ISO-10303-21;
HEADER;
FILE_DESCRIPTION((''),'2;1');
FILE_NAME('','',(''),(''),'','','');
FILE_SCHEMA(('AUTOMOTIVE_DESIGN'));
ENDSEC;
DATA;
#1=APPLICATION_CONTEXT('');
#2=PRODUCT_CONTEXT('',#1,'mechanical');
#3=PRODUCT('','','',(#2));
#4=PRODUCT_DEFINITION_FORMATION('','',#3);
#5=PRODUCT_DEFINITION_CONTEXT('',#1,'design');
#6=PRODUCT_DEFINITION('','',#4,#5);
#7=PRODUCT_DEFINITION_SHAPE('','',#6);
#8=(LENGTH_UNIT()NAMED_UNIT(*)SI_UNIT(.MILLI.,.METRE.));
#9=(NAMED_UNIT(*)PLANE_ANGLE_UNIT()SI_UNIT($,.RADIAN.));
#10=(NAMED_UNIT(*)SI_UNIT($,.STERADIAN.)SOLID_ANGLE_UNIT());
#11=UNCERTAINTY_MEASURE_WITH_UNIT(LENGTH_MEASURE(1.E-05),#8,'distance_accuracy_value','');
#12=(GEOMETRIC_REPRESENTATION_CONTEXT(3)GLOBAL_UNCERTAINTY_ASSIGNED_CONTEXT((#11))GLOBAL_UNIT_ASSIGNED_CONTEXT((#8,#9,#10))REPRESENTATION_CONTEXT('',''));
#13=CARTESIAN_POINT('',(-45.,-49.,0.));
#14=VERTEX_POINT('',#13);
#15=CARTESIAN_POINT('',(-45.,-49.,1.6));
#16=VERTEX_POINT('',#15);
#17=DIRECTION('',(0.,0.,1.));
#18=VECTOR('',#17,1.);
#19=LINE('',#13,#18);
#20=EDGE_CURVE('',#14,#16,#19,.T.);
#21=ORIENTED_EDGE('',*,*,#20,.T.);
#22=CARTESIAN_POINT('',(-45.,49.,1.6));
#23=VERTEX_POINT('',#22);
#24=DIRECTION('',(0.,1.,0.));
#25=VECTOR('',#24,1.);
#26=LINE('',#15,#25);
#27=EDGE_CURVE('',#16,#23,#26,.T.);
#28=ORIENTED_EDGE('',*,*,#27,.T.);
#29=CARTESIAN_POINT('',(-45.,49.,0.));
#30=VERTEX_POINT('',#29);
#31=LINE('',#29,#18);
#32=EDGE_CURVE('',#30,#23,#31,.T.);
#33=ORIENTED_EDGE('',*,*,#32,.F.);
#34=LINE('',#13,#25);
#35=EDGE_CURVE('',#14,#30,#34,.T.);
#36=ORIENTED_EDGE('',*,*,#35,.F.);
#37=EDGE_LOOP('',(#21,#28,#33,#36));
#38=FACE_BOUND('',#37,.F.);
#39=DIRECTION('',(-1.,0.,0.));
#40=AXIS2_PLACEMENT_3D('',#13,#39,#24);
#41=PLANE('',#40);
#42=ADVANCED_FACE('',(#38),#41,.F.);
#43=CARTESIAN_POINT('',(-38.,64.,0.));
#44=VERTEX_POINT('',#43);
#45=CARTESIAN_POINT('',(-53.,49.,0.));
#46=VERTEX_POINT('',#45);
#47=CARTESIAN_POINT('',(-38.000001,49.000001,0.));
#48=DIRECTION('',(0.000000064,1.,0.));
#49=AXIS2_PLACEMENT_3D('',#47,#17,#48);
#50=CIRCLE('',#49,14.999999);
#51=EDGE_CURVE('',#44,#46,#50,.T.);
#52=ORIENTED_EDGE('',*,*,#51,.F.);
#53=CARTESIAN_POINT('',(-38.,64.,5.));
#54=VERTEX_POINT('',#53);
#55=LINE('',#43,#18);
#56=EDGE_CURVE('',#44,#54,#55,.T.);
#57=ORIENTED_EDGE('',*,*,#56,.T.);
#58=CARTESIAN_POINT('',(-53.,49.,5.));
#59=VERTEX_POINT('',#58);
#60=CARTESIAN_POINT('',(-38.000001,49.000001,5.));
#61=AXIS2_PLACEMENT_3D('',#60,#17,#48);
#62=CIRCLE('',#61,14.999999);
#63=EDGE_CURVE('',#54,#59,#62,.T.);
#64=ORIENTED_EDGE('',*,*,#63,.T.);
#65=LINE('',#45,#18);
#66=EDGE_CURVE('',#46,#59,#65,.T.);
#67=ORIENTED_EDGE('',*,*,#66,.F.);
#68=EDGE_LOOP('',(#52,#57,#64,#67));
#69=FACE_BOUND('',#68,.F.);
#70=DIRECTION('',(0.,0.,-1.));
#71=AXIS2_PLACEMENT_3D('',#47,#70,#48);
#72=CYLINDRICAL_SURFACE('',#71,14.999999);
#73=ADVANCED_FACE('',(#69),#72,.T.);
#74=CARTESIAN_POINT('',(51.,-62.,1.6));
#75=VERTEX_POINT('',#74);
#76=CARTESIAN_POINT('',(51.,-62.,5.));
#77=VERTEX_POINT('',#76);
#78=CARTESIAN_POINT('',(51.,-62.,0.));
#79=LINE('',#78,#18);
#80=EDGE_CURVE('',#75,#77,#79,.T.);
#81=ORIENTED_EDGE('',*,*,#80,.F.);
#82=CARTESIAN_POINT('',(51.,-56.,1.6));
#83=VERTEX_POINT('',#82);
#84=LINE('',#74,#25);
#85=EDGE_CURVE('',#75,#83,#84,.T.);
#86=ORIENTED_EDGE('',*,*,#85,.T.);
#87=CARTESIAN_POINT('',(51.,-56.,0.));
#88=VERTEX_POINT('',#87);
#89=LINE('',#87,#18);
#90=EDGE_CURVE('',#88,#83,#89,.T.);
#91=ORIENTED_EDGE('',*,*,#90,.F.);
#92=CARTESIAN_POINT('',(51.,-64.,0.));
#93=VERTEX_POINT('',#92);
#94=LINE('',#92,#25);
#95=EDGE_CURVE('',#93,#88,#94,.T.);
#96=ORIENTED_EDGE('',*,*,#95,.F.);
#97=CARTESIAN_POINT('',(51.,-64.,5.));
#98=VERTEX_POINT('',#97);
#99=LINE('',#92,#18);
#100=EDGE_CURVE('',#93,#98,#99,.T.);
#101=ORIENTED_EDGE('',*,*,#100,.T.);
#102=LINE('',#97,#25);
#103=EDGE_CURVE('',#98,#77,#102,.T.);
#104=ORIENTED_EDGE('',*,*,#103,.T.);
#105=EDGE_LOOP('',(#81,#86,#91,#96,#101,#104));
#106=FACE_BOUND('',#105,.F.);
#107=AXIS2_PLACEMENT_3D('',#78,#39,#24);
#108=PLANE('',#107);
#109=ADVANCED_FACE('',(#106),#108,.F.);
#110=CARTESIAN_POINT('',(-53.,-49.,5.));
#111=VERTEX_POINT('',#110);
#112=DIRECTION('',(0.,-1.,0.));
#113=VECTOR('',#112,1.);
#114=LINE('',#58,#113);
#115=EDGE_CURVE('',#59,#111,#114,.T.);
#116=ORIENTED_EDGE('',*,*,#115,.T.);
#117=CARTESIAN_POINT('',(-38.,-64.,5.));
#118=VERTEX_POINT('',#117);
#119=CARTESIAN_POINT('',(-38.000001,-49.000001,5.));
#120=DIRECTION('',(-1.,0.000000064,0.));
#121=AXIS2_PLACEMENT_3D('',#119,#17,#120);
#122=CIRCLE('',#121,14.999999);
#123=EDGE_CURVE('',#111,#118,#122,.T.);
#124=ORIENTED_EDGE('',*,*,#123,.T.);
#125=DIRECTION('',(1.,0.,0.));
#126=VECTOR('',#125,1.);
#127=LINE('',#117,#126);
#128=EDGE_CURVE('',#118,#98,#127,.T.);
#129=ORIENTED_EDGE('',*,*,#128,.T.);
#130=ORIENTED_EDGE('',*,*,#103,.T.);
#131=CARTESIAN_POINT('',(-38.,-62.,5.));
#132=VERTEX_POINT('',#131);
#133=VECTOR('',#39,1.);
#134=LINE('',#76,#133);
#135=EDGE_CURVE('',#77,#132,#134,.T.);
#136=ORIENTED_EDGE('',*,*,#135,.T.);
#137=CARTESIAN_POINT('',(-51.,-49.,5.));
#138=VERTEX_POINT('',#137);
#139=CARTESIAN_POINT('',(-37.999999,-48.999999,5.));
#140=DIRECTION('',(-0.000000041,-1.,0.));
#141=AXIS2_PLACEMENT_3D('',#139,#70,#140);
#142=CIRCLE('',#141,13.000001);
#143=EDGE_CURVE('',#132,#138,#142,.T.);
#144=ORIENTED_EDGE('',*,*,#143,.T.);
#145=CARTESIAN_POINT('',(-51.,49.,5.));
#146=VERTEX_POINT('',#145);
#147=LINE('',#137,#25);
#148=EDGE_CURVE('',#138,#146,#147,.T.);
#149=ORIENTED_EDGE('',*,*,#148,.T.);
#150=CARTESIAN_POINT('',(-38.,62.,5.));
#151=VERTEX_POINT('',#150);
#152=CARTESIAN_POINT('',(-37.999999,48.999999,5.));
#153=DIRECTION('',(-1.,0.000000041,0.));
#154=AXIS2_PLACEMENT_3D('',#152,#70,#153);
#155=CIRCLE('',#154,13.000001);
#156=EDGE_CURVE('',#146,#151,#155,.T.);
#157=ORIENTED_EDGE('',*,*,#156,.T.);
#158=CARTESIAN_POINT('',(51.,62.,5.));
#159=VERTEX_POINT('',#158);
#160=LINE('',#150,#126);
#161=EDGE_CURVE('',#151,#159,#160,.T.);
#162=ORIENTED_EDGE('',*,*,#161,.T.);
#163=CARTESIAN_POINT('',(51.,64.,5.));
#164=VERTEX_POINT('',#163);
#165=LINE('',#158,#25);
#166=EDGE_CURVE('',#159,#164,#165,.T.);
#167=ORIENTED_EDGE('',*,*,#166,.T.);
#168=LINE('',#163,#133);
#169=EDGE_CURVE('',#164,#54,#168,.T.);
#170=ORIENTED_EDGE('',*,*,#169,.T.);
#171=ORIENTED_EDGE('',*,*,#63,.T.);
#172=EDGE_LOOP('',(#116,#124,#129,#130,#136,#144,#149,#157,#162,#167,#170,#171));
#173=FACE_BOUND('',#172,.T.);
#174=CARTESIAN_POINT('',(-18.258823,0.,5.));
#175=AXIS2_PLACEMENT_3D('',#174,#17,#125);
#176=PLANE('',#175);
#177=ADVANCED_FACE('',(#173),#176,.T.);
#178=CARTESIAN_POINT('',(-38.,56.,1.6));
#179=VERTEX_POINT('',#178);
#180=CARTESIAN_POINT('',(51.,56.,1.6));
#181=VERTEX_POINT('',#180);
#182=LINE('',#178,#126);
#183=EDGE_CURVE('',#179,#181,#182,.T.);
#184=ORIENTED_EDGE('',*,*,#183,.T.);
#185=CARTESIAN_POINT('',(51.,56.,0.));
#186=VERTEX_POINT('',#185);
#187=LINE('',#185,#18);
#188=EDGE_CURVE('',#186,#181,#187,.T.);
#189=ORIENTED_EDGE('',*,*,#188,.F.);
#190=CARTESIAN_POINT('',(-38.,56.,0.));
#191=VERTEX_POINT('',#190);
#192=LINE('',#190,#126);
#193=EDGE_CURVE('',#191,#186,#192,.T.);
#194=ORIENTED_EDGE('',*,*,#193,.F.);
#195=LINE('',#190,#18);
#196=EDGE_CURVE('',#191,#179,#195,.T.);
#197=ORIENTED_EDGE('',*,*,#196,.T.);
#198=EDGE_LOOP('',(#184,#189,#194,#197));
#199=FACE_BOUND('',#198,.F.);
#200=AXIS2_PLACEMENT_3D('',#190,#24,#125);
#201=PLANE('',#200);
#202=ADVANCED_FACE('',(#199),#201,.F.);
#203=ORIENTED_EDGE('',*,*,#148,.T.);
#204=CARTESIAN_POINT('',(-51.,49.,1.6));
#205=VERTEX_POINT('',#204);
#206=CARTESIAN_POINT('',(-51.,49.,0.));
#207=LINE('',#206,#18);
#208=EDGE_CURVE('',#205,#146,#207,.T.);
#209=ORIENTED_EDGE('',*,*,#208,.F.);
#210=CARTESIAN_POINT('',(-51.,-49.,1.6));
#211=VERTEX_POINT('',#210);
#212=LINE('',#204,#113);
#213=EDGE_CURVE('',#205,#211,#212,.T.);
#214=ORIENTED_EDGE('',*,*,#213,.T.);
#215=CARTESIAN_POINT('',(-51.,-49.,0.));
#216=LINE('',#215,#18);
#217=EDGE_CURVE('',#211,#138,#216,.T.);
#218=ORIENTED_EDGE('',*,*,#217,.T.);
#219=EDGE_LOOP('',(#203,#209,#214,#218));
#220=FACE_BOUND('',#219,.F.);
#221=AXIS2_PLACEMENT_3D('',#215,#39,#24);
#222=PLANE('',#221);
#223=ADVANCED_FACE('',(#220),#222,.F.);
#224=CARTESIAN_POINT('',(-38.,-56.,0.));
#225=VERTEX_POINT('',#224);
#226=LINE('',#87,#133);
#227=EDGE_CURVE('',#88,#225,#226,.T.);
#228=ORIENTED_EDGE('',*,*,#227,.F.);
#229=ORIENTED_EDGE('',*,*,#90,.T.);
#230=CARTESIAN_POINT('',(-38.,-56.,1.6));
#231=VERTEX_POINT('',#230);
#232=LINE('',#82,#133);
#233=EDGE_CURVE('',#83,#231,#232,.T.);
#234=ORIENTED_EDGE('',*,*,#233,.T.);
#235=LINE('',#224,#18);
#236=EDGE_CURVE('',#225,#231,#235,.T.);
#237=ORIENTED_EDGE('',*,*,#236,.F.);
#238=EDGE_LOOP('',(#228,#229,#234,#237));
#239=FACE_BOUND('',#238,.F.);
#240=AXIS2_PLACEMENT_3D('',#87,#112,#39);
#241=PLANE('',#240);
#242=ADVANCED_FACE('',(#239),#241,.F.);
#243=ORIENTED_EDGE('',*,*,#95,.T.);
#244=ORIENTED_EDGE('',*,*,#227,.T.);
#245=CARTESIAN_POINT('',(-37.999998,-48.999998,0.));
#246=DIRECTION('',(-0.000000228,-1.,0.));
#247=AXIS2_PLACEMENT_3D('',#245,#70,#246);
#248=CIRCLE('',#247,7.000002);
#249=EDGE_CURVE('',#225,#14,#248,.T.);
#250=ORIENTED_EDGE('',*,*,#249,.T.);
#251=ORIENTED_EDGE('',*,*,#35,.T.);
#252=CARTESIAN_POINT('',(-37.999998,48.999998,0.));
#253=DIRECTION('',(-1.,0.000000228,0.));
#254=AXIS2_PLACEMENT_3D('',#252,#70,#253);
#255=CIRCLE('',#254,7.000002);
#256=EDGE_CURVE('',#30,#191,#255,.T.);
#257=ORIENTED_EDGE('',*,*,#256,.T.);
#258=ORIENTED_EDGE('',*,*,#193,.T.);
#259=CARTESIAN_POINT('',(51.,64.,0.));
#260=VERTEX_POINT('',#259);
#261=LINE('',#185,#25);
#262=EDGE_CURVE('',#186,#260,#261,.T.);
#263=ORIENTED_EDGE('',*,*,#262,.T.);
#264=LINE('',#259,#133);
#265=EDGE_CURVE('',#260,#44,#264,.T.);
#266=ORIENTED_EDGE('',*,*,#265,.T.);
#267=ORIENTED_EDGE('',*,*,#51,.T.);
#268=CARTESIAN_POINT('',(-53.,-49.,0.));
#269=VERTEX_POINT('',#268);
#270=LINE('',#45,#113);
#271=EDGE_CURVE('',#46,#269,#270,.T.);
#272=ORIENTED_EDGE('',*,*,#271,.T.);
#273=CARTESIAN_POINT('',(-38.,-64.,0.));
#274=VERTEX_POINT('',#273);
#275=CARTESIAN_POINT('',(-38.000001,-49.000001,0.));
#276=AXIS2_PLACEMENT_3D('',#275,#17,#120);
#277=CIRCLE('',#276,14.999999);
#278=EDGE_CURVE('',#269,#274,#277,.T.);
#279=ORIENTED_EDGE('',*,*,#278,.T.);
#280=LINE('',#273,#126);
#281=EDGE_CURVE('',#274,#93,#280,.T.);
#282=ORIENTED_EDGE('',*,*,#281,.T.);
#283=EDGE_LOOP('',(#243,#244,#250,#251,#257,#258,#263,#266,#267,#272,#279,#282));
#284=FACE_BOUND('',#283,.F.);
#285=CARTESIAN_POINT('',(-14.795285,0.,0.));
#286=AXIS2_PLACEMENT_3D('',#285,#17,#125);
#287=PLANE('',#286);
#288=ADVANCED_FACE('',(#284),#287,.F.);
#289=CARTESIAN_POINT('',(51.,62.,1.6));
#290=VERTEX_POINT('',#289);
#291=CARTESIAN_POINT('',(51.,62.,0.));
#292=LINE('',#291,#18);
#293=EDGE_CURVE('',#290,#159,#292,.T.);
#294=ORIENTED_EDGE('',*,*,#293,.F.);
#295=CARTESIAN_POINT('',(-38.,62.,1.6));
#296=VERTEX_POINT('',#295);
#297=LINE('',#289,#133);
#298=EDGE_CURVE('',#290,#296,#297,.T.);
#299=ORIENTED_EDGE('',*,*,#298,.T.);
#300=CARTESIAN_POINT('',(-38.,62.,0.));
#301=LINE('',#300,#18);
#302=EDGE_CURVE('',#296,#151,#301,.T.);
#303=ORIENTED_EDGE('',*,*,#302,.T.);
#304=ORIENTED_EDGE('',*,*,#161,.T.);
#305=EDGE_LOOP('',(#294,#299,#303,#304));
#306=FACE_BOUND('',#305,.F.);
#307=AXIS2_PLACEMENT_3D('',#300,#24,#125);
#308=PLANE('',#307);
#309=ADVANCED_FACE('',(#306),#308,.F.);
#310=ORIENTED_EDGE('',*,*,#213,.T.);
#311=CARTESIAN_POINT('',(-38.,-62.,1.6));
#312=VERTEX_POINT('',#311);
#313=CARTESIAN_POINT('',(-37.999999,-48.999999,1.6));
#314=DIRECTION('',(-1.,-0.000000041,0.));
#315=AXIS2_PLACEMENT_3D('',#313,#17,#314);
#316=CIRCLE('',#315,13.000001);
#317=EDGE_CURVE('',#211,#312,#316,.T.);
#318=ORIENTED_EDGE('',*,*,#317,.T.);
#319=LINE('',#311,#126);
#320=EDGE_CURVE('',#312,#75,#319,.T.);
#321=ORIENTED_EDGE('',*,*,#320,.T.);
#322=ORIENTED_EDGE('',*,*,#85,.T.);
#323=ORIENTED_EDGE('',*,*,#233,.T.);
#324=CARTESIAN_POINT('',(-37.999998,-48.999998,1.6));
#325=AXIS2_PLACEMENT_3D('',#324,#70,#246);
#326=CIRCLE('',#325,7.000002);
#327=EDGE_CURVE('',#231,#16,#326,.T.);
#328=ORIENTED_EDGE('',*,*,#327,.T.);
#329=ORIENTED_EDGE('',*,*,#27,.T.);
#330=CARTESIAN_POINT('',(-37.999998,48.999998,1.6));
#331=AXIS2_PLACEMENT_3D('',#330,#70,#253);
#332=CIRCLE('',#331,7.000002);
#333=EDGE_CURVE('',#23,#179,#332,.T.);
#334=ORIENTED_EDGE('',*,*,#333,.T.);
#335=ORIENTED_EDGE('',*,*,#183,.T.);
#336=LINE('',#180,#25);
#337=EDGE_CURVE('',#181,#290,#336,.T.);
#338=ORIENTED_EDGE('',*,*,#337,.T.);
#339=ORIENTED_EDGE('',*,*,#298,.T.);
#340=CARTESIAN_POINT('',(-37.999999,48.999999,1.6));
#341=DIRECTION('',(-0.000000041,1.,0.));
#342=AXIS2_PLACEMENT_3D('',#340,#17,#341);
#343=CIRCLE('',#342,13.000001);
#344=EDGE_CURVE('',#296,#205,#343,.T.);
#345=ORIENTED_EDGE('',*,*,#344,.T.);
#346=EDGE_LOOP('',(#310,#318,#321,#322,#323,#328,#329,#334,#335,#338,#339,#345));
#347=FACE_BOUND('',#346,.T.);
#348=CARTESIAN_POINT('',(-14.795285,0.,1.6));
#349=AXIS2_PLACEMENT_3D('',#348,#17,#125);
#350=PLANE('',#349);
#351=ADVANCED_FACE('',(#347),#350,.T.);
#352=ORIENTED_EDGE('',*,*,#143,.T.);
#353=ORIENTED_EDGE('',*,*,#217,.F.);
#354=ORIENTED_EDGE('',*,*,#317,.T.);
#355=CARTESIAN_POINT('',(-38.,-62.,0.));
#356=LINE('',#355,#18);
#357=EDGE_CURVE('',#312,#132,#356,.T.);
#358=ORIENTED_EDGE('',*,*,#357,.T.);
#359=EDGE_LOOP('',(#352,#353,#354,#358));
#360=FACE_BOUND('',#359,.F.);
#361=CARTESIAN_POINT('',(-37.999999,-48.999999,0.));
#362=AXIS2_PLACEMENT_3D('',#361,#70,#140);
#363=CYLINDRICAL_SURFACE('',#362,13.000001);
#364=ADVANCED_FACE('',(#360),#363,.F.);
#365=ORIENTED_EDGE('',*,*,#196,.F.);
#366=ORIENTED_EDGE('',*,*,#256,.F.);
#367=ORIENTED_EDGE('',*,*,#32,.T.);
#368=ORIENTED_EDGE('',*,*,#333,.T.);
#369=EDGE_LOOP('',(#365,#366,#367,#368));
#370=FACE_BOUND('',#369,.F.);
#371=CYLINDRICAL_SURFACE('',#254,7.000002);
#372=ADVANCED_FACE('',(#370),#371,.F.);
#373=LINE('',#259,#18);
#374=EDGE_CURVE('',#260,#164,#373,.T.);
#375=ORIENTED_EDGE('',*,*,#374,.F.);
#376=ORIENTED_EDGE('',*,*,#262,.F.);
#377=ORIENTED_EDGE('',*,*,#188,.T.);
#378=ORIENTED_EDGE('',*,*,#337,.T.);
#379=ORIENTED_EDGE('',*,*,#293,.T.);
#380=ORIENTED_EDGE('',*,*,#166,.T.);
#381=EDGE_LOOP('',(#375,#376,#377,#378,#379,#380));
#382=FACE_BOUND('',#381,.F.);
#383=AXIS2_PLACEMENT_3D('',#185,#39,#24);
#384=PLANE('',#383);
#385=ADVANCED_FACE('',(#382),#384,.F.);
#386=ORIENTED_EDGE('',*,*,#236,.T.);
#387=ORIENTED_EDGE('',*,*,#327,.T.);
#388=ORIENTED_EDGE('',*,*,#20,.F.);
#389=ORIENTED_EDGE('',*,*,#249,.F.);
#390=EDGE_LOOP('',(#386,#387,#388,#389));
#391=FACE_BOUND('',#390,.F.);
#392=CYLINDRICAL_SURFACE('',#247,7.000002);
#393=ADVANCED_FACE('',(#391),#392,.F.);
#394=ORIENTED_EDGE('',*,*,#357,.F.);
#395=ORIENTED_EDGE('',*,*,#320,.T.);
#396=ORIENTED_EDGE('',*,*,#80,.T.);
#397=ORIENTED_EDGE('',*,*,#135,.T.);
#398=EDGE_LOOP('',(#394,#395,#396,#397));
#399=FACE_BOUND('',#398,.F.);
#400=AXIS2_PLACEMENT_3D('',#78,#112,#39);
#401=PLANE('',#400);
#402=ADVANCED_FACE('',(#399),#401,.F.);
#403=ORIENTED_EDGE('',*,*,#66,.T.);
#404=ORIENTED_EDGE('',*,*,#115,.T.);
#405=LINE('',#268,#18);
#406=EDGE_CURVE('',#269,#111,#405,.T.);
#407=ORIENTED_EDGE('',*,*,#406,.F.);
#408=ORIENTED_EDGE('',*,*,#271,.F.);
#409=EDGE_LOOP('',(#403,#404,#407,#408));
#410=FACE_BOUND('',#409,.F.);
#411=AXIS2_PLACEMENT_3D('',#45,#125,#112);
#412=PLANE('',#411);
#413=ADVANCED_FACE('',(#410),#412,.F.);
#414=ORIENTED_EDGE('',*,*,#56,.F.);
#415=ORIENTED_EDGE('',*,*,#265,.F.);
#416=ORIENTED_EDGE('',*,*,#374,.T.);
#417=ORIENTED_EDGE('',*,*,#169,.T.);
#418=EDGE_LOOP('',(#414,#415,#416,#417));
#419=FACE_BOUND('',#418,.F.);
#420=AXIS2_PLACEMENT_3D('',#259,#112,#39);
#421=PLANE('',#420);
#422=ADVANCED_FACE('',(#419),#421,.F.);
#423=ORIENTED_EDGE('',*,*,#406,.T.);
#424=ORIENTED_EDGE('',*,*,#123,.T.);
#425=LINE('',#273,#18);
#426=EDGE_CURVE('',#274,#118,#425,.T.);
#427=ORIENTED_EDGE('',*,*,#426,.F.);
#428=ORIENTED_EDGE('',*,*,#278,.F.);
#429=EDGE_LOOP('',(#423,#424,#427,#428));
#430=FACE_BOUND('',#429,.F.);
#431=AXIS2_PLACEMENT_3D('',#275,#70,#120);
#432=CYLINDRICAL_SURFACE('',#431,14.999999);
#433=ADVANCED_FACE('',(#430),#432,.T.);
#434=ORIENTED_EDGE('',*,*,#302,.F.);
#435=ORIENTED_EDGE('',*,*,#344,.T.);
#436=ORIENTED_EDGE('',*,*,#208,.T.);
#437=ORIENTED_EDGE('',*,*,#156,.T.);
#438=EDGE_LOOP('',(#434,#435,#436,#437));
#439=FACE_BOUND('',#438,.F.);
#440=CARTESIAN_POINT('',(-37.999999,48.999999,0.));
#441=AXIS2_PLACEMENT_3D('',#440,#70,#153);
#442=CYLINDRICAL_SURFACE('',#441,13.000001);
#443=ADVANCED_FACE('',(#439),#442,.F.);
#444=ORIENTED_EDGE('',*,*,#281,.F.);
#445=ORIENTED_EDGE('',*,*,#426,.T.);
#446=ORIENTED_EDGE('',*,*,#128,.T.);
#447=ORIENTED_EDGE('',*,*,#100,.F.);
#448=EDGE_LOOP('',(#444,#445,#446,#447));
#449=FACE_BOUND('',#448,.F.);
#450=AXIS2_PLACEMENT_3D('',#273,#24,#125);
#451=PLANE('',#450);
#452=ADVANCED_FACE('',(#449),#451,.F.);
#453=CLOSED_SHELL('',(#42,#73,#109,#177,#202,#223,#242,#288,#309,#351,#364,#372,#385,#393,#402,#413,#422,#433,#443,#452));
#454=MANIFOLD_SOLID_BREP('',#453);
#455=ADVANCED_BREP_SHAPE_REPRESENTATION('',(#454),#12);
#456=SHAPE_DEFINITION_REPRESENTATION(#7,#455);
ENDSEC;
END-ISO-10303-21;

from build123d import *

# Parameters (mm, degrees)
F1_DEPTH = 1.6
F2_DEPTH = 5


with BuildPart() as f1:
    # F0 (on Top) → F1 (new body)
    with BuildSketch(Plane.XY):
        with BuildLine():
            Line((51, 62), (-38, 62))
            ThreePointArc((-38, 62), (-47.192388, 58.192388), (-51, 49))
            Line((-51, 49), (-51, -49))
            ThreePointArc((-51, -49), (-47.192388, -58.192388), (-38, -62))
            Line((-38, -62), (51, -62))
            Line((51, -62), (51, -56))
            Line((51, -56), (-38, -56))
            ThreePointArc((-38, -56), (-42.949747, -53.949747), (-45, -49))
            Line((-45, -49), (-45, 49))
            ThreePointArc((-45, 49), (-42.949747, 53.949747), (-38, 56))
            Line((-38, 56), (51, 56))
            Line((51, 56), (51, 62))
        make_face()
    extrude(amount=F1_DEPTH)

    # F0 (on Top) → F2 (join)
    with BuildSketch(Plane.XY):
        with BuildLine():
            ThreePointArc((-51, 49), (-47.192388, 58.192388), (-38, 62))
            Line((-38, 62), (51, 62))
            Line((51, 62), (51, 64))
            Line((51, 64), (-38, 64))
            ThreePointArc((-38, 64), (-48.606602, 59.606602), (-53, 49))
            Line((-53, 49), (-53, -49))
            ThreePointArc((-53, -49), (-48.606602, -59.606602), (-38, -64))
            Line((-38, -64), (51, -64))
            Line((51, -64), (51, -62))
            Line((51, -62), (-38, -62))
            ThreePointArc((-38, -62), (-47.192388, -58.192388), (-51, -49))
            Line((-51, -49), (-51, 49))
        make_face()
    extrude(amount=F2_DEPTH)


solid = f1.part
